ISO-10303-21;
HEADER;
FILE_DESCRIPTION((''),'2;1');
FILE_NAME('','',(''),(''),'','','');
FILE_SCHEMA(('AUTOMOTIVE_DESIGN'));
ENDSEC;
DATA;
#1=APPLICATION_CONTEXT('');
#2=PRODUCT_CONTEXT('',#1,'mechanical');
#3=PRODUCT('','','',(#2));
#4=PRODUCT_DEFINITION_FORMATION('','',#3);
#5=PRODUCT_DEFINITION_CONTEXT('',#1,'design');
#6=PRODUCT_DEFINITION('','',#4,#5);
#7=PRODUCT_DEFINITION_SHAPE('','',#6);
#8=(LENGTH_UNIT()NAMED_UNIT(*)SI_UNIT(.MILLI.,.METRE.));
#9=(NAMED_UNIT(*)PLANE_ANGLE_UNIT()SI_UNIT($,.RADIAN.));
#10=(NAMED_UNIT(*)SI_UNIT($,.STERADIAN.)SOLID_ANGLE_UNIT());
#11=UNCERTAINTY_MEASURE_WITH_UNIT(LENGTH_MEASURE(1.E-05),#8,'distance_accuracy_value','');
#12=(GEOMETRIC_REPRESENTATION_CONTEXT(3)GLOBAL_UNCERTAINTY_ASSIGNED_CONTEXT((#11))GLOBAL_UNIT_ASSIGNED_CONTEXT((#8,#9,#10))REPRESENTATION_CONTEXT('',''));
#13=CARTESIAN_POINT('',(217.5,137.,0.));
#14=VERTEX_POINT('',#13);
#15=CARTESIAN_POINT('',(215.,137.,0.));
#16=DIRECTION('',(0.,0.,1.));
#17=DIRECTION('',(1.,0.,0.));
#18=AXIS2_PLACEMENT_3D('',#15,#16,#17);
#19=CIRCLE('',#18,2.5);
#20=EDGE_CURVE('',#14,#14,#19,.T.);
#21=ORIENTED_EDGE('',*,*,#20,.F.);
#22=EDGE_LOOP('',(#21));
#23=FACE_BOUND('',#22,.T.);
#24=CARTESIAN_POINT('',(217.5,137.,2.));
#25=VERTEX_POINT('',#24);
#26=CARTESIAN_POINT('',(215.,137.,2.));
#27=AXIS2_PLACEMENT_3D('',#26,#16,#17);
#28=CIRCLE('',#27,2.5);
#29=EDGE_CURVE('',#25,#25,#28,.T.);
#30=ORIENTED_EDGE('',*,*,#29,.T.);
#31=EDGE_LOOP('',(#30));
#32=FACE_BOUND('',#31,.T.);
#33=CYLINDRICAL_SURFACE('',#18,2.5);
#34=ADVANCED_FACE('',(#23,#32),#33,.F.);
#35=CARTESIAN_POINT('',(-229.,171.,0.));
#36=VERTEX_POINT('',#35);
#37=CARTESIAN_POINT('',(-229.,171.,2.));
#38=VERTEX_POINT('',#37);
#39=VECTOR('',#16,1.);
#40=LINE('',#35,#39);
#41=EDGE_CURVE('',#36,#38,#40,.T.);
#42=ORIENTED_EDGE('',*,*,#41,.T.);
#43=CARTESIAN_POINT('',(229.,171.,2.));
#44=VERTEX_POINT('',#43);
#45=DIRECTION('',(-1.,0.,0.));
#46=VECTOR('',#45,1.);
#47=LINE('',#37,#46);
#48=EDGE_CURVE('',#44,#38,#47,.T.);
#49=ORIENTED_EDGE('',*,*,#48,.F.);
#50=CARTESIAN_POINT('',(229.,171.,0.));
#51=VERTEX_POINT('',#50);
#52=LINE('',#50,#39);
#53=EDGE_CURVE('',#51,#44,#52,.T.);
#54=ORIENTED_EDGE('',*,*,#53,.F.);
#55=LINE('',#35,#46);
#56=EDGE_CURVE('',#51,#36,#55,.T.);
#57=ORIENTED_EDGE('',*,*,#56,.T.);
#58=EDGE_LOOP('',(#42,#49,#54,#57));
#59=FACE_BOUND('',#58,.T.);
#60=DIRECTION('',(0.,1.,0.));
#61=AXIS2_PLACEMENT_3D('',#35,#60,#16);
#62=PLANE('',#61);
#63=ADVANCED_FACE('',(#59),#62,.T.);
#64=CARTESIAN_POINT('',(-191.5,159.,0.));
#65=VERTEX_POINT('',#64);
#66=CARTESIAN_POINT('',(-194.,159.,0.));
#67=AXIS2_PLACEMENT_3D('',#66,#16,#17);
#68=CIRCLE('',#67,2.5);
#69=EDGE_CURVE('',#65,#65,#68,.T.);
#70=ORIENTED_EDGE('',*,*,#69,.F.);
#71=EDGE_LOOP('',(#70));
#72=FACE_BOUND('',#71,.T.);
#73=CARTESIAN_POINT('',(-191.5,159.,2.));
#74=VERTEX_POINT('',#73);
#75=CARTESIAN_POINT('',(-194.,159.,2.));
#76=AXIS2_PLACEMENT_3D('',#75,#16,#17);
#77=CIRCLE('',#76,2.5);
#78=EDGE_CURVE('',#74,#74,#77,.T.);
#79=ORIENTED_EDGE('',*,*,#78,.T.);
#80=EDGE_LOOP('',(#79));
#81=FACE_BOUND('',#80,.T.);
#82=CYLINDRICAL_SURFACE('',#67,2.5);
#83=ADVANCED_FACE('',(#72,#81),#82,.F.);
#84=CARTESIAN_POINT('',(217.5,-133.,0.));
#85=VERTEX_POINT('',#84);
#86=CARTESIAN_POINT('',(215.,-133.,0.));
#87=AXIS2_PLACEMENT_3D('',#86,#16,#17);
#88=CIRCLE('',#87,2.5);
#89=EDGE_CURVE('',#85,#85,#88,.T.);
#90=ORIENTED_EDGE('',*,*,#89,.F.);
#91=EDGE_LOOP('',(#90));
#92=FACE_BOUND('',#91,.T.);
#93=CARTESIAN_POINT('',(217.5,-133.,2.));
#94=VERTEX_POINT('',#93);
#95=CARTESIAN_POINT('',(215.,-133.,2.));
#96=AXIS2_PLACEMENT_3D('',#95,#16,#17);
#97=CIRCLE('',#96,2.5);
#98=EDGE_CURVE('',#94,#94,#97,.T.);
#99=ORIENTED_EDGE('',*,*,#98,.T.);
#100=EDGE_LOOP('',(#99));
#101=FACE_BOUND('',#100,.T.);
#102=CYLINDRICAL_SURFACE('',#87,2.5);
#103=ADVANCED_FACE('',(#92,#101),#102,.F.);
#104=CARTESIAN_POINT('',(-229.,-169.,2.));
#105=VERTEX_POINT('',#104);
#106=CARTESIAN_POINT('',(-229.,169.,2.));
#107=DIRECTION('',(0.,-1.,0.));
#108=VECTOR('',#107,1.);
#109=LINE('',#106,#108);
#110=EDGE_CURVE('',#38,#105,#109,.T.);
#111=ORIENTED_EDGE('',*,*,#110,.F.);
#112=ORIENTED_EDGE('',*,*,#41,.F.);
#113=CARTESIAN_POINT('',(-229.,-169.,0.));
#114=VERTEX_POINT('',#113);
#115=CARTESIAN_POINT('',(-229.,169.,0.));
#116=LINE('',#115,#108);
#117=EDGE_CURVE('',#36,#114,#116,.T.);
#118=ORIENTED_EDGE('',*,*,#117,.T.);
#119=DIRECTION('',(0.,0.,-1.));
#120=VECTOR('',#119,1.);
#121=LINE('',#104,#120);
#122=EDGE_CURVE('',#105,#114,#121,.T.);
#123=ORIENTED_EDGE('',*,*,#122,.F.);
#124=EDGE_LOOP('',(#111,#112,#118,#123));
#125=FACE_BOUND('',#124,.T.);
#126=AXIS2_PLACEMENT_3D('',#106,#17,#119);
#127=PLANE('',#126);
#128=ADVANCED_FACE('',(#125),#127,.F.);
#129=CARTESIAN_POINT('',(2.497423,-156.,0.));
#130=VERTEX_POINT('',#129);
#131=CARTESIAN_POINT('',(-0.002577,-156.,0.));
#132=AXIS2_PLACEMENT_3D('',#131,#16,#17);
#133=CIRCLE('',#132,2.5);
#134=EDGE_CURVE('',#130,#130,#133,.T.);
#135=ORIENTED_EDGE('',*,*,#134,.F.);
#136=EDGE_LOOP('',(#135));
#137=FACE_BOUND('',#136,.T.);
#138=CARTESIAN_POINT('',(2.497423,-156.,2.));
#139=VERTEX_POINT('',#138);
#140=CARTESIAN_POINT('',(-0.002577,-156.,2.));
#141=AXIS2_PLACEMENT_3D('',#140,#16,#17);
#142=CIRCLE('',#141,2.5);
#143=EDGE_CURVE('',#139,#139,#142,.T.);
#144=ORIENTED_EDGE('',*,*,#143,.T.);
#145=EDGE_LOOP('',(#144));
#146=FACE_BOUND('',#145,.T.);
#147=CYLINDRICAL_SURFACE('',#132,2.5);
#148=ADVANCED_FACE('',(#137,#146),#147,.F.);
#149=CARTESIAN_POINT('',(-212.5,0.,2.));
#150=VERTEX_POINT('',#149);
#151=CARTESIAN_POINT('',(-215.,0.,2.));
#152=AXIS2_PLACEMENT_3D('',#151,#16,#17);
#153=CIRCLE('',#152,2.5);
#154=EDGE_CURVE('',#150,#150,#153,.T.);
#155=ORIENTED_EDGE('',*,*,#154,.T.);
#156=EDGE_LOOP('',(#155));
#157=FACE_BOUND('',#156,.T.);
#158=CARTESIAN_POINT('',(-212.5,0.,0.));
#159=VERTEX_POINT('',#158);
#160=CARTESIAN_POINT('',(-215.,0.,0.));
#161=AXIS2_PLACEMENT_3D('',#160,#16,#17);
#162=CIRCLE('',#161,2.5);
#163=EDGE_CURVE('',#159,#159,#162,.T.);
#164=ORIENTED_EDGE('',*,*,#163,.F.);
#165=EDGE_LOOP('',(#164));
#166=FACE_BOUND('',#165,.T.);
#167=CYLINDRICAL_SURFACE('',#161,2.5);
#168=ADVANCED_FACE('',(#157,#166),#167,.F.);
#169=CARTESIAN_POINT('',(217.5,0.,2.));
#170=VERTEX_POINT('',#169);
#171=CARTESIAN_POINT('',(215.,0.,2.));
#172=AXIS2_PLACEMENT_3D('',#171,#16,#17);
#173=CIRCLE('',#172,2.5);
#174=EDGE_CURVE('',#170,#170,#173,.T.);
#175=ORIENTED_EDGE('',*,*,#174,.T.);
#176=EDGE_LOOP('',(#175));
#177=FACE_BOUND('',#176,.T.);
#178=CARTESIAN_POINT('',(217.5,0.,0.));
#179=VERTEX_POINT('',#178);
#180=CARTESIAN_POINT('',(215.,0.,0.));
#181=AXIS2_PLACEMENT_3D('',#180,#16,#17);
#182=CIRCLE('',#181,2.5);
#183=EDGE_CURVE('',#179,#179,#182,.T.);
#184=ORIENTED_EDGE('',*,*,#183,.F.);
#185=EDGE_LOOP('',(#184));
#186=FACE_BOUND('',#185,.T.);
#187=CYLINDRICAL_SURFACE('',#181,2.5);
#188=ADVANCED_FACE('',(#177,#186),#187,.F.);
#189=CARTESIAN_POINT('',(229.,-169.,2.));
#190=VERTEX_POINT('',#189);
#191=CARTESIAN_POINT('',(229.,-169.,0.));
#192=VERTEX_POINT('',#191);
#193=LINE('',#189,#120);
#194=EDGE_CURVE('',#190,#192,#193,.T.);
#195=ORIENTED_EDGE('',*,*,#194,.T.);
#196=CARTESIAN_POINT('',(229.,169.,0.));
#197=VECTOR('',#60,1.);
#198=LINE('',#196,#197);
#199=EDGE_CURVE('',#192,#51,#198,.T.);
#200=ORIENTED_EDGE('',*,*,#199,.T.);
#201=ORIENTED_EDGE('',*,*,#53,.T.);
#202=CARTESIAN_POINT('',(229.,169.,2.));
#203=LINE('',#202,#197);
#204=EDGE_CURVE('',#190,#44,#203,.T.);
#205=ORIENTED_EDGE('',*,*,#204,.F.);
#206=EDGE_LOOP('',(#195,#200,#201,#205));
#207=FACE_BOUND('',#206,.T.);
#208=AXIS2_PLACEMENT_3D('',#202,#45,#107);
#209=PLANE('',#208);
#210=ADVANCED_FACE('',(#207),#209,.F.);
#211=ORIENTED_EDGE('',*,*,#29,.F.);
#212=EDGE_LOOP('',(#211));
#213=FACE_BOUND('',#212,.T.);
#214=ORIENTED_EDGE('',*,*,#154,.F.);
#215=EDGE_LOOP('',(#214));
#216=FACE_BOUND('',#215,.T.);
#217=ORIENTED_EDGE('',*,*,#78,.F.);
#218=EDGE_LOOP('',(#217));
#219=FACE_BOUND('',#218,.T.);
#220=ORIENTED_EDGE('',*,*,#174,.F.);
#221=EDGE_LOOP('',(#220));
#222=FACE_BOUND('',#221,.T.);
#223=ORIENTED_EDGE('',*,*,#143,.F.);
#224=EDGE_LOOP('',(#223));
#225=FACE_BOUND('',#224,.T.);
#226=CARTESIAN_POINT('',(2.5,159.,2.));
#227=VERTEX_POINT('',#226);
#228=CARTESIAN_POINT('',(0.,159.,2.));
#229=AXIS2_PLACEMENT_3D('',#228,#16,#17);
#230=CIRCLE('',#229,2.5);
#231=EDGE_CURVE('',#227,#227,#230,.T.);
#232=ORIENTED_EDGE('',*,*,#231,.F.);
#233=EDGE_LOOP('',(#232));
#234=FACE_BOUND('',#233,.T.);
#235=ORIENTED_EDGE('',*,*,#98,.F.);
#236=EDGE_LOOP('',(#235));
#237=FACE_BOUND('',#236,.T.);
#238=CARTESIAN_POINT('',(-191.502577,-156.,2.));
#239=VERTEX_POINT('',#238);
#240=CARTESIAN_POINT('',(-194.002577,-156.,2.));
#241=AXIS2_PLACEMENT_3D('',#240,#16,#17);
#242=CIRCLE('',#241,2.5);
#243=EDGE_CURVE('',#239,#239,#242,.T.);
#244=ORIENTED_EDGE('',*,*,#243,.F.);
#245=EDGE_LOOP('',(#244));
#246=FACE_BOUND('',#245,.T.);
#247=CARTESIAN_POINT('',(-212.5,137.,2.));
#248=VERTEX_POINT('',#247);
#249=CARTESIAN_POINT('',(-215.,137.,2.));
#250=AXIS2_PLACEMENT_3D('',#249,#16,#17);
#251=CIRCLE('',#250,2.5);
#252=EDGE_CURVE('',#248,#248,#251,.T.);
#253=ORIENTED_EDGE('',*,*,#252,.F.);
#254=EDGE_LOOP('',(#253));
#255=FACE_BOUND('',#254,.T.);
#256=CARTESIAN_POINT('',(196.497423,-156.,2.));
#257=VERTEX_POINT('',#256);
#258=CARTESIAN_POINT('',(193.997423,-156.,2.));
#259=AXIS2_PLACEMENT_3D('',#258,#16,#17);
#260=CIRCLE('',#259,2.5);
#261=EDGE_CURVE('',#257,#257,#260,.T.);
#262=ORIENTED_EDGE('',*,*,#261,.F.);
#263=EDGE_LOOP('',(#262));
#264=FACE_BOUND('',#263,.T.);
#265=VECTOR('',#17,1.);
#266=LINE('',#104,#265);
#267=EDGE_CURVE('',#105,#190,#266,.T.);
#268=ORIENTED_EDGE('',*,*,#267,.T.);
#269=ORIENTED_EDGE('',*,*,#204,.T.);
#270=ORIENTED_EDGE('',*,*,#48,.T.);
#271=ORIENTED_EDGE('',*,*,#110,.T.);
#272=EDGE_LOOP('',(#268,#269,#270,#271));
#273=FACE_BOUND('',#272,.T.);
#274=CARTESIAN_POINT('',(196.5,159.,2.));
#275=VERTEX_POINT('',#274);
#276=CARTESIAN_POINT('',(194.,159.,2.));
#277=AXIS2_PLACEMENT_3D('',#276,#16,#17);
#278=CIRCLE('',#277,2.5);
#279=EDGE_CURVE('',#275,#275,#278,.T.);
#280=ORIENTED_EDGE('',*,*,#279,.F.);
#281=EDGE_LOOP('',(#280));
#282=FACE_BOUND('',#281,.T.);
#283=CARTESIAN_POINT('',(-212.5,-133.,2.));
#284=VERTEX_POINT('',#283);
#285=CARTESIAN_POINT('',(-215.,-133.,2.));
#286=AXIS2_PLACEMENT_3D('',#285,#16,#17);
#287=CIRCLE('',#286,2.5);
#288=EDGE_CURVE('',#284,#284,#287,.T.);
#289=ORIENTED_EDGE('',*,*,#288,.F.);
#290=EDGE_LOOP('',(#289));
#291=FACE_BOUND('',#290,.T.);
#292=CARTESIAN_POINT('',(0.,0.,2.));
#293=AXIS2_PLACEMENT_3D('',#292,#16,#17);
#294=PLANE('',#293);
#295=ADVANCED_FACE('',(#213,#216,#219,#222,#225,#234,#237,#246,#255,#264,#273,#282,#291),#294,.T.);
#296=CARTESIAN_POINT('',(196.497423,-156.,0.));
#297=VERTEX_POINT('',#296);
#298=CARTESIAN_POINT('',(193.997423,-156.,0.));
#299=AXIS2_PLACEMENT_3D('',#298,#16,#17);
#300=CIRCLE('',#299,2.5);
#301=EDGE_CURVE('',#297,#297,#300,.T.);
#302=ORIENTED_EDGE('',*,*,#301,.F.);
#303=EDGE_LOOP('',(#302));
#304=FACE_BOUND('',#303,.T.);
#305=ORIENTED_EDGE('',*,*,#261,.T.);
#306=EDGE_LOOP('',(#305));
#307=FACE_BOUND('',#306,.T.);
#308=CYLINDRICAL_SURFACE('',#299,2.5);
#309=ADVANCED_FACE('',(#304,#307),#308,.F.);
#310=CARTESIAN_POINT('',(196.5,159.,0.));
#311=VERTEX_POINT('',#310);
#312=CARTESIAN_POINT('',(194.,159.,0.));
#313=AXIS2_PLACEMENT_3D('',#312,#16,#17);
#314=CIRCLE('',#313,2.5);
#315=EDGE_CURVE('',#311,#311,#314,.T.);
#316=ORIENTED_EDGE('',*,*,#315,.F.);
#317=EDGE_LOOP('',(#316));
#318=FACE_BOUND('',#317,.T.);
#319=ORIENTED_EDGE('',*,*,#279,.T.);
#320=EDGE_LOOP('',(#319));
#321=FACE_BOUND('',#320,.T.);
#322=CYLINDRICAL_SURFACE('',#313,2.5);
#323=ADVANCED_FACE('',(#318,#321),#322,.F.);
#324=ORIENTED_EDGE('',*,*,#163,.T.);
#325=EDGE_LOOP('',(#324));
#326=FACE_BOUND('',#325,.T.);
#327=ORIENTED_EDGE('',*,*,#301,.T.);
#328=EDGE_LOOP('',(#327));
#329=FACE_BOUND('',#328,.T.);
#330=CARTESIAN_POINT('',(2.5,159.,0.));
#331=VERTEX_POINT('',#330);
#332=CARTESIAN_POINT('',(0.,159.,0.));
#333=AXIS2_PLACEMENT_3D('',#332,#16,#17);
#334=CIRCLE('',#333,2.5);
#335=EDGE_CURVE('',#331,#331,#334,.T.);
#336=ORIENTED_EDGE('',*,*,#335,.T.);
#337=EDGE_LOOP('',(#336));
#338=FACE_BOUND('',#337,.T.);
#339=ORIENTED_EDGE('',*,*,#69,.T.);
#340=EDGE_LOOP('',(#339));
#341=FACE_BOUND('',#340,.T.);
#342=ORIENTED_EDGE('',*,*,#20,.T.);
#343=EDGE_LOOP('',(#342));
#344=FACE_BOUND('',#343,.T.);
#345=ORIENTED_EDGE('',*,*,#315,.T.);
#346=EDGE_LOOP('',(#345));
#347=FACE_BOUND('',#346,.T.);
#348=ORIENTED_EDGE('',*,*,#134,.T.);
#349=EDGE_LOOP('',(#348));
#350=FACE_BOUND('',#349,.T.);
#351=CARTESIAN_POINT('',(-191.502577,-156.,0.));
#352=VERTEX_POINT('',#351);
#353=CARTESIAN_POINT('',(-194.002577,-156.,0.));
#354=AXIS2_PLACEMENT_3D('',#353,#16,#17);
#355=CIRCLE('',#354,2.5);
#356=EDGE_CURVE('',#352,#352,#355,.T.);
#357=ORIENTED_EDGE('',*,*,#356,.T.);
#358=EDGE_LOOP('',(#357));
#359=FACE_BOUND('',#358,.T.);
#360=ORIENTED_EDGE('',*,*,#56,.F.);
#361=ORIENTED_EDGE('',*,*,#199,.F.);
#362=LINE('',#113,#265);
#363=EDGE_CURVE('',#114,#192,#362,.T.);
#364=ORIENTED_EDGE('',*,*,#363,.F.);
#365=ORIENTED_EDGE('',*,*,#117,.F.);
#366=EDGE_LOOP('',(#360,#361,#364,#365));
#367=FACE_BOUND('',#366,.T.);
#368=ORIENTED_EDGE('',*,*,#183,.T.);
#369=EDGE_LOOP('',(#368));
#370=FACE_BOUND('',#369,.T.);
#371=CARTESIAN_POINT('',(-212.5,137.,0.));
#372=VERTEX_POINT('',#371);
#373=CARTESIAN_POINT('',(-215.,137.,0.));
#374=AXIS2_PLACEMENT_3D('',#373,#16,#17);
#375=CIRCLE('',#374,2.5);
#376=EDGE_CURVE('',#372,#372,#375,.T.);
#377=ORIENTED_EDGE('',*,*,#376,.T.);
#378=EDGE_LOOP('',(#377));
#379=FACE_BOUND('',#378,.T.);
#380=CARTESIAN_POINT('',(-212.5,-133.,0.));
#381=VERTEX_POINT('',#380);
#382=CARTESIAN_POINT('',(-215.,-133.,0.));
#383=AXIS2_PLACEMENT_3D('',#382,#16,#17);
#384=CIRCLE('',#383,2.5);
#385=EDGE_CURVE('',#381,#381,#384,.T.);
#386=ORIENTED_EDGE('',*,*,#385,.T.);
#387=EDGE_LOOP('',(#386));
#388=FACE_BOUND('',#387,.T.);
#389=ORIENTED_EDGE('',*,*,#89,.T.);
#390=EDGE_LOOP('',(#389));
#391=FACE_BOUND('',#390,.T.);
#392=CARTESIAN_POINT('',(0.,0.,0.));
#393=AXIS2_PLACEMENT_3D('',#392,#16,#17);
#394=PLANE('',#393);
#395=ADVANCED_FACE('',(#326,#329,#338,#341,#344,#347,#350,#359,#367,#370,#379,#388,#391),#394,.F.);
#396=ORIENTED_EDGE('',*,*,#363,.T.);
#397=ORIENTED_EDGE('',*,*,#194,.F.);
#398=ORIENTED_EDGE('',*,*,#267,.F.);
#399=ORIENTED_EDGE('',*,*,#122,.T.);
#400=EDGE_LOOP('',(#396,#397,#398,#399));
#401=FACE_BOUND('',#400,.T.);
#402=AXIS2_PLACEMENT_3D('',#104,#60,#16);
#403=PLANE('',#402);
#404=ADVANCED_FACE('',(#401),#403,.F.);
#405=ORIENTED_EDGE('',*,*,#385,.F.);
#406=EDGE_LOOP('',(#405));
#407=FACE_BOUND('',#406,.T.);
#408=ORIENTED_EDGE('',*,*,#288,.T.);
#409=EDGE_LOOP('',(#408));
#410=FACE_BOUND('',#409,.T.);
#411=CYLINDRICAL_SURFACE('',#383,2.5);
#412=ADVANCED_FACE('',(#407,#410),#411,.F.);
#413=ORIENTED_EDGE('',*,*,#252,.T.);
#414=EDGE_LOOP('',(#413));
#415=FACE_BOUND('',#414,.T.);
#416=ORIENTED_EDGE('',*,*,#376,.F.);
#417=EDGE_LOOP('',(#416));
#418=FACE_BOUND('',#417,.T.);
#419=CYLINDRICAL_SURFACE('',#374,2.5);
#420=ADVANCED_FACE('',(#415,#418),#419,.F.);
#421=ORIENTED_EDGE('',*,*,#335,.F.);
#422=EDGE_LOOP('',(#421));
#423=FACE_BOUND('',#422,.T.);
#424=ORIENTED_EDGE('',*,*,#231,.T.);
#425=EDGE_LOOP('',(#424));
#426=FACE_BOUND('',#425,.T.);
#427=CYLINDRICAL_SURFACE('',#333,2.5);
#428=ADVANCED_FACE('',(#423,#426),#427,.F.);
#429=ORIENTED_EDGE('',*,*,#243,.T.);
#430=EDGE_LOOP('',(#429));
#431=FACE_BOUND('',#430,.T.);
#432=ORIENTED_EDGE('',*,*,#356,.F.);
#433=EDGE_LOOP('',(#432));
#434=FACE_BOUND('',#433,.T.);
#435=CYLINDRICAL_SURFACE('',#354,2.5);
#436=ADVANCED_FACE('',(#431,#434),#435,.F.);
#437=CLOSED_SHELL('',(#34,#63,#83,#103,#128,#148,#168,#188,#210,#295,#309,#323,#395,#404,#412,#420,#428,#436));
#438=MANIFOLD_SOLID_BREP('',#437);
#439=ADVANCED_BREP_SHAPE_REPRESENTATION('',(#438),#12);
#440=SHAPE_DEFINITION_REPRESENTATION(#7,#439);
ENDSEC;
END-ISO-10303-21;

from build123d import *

# Parameters (mm, degrees)
SKETCH1_W           = 458
SKETCH1_H           = 338
BOSS_EXTRUDE1_DEPTH = 2
SKETCH2_R           = 2.5
CUT_EXTRUDE1_DEPTH  = 285.615530145
SKETCH3_W           = 458
SKETCH3_H           = 2
BOSS_EXTRUDE2_DEPTH = 2


with BuildPart() as part:
    # Sketch1 → Boss-Extrude1 (new body)
    with BuildSketch(Plane.XY):
        Rectangle(SKETCH1_W, SKETCH1_H)
    extrude(amount=BOSS_EXTRUDE1_DEPTH)

    # Sketch2 → Cut-Extrude1 (cut, through all)
    with BuildSketch(Plane.XY.offset(2)):
        with Locations((-194, 159)):
            Circle(SKETCH2_R)
        with Locations((-194.002577337, -156)):
            Circle(SKETCH2_R)
        with Locations((193.997422663, -156)):
            Circle(SKETCH2_R)
        with Locations((194, 159)):
            Circle(SKETCH2_R)
        with Locations((-215, 0)):
            Circle(SKETCH2_R)
        with Locations((-215, -133)):
            Circle(SKETCH2_R)
        with Locations((-215, 137)):
            Circle(SKETCH2_R)
        with Locations((215, 0)):
            Circle(SKETCH2_R)
        with Locations((215, -133)):
            Circle(SKETCH2_R)
        with Locations((215, 137)):
            Circle(SKETCH2_R)
        with Locations((0, 159)):
            Circle(SKETCH2_R)
        with Locations((-0.002577337, -156)):
            Circle(SKETCH2_R)
    extrude(amount=-CUT_EXTRUDE1_DEPTH, mode=Mode.SUBTRACT)

    # Sketch3 → Boss-Extrude2 (add, through all)
    with BuildSketch(Plane.XY.offset(2)):
        with Locations((0, 170)):
            Rectangle(SKETCH3_W, SKETCH3_H)
    extrude(amount=-BOSS_EXTRUDE2_DEPTH)


solid = part.part
